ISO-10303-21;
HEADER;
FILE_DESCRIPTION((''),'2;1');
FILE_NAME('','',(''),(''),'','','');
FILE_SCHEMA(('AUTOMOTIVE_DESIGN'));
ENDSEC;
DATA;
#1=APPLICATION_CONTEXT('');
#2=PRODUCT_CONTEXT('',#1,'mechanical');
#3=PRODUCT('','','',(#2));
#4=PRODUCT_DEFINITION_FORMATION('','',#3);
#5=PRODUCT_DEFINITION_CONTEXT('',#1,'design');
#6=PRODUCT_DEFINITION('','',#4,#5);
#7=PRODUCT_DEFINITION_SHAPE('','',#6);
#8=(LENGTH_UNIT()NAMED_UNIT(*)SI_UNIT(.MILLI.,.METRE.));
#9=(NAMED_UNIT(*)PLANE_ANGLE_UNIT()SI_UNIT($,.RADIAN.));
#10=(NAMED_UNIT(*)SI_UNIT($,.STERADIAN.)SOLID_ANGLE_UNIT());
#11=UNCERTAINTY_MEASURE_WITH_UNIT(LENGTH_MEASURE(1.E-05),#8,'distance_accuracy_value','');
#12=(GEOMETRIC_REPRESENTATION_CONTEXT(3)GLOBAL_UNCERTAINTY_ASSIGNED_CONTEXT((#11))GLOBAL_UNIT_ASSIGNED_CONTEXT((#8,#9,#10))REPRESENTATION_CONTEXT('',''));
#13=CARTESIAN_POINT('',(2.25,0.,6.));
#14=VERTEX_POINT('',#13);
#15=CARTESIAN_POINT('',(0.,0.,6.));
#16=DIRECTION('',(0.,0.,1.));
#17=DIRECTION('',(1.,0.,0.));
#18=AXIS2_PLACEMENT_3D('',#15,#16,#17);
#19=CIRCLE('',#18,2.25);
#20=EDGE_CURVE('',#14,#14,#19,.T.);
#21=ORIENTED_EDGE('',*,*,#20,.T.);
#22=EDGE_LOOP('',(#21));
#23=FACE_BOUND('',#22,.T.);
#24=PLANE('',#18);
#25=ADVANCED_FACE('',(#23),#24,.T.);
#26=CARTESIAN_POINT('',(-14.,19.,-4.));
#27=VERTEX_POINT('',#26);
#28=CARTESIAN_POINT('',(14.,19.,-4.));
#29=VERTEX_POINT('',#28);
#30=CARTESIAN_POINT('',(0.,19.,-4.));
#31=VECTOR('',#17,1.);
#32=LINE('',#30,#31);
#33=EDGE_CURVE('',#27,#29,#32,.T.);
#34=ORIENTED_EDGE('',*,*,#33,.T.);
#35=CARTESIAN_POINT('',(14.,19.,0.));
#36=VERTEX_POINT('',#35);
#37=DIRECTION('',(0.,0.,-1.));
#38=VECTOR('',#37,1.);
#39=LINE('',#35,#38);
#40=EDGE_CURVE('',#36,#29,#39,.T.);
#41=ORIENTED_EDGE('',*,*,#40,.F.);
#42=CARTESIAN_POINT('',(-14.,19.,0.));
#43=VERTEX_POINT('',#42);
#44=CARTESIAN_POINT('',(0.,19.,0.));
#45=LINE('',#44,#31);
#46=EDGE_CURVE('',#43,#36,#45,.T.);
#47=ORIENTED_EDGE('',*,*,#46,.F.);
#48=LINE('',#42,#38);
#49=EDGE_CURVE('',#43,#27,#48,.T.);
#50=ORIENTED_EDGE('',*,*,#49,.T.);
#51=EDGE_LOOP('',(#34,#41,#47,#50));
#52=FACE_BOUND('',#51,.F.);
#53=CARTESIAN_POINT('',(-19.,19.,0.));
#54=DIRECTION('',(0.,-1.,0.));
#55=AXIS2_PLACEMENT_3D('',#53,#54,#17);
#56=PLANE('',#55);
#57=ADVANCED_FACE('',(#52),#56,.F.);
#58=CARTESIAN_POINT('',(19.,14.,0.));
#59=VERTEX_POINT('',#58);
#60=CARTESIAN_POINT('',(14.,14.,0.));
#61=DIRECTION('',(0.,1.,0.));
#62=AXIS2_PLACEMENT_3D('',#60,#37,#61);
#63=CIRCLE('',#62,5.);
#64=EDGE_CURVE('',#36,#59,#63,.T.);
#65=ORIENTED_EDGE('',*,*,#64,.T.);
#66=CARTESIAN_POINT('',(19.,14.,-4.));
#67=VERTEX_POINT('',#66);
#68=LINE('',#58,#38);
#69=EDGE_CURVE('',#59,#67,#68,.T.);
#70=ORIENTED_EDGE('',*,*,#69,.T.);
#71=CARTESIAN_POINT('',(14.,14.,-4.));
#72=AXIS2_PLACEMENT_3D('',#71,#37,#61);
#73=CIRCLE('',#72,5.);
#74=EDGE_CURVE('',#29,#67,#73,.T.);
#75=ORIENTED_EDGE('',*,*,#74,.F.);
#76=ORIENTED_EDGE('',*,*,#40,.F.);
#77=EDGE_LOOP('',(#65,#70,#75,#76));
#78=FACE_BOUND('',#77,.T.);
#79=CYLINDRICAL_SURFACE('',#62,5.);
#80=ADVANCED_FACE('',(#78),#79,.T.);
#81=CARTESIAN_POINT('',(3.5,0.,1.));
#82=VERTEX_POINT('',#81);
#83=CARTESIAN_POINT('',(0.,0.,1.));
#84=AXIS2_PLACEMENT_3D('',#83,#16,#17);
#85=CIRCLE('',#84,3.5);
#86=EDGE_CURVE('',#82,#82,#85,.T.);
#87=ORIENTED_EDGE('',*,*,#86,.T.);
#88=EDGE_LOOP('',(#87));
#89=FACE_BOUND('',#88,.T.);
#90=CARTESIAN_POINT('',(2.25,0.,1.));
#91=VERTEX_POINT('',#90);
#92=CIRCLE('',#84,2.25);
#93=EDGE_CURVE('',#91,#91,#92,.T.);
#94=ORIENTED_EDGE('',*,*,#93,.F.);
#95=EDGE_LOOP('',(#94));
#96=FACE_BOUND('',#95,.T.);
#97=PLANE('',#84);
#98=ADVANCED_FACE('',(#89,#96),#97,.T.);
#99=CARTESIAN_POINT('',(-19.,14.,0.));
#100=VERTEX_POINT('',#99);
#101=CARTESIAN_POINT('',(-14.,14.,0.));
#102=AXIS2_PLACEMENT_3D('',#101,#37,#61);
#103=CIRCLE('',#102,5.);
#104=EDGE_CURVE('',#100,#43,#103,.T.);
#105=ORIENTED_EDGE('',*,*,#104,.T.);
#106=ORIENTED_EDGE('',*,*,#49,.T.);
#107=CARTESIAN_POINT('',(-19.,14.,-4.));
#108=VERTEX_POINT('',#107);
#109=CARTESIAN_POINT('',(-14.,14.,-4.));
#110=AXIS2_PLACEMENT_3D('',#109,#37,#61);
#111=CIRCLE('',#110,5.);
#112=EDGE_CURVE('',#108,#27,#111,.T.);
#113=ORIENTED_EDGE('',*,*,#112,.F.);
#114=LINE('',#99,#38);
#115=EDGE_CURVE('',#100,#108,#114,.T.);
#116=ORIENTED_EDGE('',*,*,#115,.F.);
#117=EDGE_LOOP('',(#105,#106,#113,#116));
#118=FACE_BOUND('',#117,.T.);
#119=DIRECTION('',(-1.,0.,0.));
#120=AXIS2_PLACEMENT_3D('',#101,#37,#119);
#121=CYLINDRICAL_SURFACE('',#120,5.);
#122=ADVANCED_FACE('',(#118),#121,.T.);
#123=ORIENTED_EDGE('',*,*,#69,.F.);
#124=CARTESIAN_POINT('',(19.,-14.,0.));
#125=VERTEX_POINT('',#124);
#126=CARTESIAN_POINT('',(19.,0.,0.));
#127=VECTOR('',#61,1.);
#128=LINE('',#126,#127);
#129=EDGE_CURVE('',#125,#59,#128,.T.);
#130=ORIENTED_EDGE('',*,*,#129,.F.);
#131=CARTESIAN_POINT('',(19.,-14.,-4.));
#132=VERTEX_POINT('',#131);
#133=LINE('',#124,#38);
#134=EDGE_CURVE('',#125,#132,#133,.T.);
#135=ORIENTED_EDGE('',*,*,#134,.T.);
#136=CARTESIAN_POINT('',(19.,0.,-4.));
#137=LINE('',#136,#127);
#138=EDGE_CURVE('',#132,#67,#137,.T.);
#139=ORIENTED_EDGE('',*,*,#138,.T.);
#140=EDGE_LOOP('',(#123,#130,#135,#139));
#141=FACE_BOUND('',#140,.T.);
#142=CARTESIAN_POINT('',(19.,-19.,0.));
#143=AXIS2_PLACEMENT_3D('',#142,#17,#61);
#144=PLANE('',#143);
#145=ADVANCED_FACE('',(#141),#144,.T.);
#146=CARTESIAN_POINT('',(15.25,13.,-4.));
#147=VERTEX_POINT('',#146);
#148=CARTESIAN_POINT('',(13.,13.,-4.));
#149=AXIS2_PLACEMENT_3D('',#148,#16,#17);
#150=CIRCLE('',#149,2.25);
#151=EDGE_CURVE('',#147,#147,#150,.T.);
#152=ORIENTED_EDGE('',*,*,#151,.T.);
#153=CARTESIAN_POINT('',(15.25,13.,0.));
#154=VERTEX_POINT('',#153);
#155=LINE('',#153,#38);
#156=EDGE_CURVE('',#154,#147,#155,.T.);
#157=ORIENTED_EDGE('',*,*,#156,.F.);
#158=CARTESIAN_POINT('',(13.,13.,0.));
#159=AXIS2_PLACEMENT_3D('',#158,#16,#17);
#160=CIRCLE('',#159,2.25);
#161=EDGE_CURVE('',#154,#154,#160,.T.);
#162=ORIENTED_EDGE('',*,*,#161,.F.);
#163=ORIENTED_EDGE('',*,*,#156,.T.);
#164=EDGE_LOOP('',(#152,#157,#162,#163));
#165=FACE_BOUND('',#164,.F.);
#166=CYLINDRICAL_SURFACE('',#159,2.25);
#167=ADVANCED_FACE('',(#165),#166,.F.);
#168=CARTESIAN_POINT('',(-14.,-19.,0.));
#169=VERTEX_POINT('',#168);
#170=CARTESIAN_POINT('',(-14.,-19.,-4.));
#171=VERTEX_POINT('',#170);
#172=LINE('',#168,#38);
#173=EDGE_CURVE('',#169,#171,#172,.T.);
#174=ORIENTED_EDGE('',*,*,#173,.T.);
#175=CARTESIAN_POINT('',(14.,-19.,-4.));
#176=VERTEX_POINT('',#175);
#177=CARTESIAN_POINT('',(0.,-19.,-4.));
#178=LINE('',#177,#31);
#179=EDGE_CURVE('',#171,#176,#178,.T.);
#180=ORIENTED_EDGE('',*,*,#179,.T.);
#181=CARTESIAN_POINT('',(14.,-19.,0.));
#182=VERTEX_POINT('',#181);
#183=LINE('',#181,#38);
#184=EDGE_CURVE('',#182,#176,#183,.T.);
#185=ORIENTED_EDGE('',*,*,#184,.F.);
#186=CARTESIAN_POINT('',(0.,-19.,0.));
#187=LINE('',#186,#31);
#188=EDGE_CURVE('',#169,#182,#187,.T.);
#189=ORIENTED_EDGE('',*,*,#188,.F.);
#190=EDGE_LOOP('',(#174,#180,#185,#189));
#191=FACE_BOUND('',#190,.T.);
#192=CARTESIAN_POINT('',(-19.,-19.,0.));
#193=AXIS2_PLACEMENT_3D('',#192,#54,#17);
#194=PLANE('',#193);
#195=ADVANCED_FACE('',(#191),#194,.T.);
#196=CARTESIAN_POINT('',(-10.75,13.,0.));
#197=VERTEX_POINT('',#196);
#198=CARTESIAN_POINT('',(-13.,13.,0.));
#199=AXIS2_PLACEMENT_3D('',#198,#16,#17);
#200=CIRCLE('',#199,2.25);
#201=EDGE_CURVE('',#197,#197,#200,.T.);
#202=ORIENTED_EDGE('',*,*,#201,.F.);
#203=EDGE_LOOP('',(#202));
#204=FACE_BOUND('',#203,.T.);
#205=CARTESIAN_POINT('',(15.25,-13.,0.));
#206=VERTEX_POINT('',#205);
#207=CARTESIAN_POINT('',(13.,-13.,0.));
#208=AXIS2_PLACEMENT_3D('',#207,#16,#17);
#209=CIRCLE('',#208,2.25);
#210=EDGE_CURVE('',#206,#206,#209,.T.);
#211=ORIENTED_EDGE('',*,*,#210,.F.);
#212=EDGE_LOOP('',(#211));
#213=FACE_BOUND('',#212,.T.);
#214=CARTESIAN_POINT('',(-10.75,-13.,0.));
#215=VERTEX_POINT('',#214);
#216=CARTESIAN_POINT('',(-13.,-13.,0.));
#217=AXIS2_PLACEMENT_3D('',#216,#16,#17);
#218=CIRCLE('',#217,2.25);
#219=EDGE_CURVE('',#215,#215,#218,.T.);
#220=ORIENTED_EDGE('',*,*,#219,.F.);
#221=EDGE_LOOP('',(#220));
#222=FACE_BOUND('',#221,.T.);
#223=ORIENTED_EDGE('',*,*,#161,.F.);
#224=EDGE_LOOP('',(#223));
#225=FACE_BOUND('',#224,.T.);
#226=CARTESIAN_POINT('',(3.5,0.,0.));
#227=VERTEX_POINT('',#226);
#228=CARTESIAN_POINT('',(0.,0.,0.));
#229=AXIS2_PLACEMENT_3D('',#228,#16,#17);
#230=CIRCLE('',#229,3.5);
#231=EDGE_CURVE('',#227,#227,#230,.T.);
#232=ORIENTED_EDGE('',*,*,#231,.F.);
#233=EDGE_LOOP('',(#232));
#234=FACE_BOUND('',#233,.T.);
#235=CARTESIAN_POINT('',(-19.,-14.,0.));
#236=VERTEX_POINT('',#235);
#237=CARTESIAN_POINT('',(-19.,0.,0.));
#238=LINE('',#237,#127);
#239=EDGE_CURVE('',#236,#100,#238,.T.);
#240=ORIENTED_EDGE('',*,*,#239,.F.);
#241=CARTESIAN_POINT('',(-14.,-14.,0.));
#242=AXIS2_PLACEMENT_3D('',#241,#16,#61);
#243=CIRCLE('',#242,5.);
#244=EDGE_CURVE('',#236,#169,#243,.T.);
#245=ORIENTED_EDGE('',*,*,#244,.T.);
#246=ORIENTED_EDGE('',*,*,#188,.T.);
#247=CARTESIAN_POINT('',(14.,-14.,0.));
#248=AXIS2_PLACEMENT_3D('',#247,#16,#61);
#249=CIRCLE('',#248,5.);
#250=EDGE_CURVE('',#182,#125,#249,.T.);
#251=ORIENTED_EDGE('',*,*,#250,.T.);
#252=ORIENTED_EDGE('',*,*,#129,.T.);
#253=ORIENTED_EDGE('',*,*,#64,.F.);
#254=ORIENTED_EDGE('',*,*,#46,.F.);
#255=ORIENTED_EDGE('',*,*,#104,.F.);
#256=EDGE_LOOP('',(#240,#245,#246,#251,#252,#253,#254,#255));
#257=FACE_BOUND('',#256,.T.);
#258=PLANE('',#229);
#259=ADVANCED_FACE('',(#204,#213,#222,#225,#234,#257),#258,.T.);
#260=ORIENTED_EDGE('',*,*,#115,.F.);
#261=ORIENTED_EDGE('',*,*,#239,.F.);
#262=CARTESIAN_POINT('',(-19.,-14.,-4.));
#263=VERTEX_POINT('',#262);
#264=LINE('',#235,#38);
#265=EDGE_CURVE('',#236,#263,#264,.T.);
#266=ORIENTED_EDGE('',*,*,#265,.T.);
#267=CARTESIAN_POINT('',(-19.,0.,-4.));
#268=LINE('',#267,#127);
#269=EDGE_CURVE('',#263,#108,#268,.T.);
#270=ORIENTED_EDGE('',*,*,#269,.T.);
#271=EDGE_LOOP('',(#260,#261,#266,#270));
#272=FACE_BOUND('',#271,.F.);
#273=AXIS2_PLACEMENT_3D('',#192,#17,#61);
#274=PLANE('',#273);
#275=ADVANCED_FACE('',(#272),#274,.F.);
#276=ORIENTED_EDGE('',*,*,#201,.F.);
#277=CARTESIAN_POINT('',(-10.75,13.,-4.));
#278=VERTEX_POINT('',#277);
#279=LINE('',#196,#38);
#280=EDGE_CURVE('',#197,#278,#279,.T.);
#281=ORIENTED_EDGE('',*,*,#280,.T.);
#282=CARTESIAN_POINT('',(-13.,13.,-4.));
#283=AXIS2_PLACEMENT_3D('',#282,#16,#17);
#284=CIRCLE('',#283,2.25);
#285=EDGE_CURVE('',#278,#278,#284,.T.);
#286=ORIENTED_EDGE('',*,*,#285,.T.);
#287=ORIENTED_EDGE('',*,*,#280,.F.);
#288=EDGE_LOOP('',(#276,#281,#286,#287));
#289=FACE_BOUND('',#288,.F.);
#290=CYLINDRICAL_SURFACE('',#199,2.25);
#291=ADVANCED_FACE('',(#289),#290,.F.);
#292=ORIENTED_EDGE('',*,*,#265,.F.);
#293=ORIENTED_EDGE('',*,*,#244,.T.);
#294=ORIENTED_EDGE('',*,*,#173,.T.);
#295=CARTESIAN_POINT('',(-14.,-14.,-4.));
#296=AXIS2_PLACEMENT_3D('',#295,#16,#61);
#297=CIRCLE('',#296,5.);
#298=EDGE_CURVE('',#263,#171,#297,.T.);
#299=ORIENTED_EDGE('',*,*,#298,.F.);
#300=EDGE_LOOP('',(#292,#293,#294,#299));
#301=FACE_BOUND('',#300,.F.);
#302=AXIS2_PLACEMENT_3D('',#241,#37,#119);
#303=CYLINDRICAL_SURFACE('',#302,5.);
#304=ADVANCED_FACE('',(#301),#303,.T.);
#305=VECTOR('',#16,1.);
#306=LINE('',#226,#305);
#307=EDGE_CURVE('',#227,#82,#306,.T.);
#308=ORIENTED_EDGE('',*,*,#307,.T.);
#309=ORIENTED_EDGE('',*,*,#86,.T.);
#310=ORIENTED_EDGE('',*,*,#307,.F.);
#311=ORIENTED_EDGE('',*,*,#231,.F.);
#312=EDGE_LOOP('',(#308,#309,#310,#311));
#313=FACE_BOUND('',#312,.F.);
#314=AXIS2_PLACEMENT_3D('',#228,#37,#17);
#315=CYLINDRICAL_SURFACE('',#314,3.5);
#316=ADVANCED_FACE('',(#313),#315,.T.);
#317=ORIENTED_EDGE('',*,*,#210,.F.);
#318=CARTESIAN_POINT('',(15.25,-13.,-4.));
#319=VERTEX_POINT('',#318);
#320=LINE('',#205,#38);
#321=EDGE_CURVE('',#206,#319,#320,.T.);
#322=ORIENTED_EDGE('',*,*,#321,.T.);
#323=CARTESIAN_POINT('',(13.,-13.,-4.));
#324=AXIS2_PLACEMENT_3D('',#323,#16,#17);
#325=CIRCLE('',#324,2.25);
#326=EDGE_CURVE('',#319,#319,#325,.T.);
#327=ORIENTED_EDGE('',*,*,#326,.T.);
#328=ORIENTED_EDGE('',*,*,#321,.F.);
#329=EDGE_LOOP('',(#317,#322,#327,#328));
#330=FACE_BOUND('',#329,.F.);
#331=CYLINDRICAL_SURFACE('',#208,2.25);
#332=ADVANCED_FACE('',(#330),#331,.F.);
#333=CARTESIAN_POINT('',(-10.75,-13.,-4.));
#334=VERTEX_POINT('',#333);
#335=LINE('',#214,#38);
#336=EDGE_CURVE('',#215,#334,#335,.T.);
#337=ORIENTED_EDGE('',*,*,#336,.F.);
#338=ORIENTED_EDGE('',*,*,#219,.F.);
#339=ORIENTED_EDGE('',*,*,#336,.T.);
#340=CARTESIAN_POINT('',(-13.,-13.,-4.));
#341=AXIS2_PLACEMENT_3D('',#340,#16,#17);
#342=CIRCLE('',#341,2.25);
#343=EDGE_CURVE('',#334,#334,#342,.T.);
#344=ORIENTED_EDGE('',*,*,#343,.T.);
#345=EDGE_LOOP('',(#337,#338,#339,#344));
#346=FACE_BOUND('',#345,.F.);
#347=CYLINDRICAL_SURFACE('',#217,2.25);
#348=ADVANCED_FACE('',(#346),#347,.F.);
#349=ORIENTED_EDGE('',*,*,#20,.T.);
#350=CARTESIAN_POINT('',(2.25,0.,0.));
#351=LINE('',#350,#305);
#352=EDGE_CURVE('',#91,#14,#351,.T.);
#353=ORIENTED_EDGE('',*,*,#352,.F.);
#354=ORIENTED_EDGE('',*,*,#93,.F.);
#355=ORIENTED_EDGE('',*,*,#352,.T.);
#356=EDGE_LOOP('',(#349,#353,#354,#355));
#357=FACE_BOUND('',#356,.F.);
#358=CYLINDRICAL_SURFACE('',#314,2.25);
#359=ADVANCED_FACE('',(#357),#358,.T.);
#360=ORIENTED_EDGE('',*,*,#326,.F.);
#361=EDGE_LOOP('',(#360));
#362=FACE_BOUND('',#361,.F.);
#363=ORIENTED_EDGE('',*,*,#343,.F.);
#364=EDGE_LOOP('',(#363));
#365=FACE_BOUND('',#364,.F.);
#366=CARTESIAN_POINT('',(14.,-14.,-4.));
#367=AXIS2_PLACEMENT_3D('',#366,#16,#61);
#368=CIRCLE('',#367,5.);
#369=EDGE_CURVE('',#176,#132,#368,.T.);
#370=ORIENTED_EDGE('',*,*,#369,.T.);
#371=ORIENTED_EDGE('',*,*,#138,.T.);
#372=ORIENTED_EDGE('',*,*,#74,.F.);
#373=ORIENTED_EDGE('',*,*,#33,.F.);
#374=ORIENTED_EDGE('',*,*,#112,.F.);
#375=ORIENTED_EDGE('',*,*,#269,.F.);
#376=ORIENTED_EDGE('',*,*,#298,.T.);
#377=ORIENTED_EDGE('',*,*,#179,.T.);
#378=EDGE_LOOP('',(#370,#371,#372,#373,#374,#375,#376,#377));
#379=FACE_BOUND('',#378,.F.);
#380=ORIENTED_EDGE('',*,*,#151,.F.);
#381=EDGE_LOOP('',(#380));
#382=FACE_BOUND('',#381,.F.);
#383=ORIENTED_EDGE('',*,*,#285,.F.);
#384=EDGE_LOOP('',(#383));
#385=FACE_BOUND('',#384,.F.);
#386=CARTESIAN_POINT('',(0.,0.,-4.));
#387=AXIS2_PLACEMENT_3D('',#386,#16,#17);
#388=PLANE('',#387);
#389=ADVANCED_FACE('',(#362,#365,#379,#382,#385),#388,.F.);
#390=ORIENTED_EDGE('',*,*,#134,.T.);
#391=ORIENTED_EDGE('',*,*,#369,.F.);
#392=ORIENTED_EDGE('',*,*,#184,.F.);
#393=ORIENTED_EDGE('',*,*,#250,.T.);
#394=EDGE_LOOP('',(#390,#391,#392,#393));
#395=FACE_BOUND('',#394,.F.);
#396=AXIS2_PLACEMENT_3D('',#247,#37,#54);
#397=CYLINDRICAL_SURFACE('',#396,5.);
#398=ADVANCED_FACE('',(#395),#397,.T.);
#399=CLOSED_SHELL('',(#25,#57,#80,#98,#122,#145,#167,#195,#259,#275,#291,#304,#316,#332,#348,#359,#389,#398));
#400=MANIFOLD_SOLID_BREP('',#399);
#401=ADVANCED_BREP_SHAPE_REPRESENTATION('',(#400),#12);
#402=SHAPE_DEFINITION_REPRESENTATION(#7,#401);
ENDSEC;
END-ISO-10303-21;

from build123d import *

# Parameters (mm, degrees)
F0_W     = 38
F0_H     = 38
F0_R     = 2.25
F0_R_2   = 3.5
F1_DEPTH = 4
F2_DEPTH = 1
F3_DEPTH = 6
F4_R     = 5


with BuildPart() as f1:
    # F0 (on Top) → F1 (new body)
    with BuildSketch(Plane.XY):
        Rectangle(F0_W, F0_H)
        with Locations((-13, -13)):
            Circle(F0_R, mode=Mode.SUBTRACT)
        with Locations((13, -13)):
            Circle(F0_R, mode=Mode.SUBTRACT)
        with Locations((-13, 13)):
            Circle(F0_R, mode=Mode.SUBTRACT)
        Circle(F0_R_2, mode=Mode.SUBTRACT)
        with Locations((13, 13)):
            Circle(F0_R, mode=Mode.SUBTRACT)
        Circle(F0_R_2)
        Circle(F0_R, mode=Mode.SUBTRACT)
        Circle(F0_R)
    extrude(amount=-F1_DEPTH)

    # F0 (on Top) → F2 (join)
    with BuildSketch(Plane.XY):
        Circle(F0_R_2)
        Circle(F0_R, mode=Mode.SUBTRACT)
    extrude(amount=F2_DEPTH)

    # F0 (on Top) → F3 (join)
    with BuildSketch(Plane.XY):
        Circle(F0_R)
    extrude(amount=F3_DEPTH)

    # F4
    f4_edges = [f1.edges().sort_by_distance(p)[0] for p in [
        (-19, -19, -2),
        (19, -19, -2),
        (19, 19, -2),
        (-19, 19, -2),
    ]]
    fillet(f4_edges, radius=F4_R)


solid = f1.part
